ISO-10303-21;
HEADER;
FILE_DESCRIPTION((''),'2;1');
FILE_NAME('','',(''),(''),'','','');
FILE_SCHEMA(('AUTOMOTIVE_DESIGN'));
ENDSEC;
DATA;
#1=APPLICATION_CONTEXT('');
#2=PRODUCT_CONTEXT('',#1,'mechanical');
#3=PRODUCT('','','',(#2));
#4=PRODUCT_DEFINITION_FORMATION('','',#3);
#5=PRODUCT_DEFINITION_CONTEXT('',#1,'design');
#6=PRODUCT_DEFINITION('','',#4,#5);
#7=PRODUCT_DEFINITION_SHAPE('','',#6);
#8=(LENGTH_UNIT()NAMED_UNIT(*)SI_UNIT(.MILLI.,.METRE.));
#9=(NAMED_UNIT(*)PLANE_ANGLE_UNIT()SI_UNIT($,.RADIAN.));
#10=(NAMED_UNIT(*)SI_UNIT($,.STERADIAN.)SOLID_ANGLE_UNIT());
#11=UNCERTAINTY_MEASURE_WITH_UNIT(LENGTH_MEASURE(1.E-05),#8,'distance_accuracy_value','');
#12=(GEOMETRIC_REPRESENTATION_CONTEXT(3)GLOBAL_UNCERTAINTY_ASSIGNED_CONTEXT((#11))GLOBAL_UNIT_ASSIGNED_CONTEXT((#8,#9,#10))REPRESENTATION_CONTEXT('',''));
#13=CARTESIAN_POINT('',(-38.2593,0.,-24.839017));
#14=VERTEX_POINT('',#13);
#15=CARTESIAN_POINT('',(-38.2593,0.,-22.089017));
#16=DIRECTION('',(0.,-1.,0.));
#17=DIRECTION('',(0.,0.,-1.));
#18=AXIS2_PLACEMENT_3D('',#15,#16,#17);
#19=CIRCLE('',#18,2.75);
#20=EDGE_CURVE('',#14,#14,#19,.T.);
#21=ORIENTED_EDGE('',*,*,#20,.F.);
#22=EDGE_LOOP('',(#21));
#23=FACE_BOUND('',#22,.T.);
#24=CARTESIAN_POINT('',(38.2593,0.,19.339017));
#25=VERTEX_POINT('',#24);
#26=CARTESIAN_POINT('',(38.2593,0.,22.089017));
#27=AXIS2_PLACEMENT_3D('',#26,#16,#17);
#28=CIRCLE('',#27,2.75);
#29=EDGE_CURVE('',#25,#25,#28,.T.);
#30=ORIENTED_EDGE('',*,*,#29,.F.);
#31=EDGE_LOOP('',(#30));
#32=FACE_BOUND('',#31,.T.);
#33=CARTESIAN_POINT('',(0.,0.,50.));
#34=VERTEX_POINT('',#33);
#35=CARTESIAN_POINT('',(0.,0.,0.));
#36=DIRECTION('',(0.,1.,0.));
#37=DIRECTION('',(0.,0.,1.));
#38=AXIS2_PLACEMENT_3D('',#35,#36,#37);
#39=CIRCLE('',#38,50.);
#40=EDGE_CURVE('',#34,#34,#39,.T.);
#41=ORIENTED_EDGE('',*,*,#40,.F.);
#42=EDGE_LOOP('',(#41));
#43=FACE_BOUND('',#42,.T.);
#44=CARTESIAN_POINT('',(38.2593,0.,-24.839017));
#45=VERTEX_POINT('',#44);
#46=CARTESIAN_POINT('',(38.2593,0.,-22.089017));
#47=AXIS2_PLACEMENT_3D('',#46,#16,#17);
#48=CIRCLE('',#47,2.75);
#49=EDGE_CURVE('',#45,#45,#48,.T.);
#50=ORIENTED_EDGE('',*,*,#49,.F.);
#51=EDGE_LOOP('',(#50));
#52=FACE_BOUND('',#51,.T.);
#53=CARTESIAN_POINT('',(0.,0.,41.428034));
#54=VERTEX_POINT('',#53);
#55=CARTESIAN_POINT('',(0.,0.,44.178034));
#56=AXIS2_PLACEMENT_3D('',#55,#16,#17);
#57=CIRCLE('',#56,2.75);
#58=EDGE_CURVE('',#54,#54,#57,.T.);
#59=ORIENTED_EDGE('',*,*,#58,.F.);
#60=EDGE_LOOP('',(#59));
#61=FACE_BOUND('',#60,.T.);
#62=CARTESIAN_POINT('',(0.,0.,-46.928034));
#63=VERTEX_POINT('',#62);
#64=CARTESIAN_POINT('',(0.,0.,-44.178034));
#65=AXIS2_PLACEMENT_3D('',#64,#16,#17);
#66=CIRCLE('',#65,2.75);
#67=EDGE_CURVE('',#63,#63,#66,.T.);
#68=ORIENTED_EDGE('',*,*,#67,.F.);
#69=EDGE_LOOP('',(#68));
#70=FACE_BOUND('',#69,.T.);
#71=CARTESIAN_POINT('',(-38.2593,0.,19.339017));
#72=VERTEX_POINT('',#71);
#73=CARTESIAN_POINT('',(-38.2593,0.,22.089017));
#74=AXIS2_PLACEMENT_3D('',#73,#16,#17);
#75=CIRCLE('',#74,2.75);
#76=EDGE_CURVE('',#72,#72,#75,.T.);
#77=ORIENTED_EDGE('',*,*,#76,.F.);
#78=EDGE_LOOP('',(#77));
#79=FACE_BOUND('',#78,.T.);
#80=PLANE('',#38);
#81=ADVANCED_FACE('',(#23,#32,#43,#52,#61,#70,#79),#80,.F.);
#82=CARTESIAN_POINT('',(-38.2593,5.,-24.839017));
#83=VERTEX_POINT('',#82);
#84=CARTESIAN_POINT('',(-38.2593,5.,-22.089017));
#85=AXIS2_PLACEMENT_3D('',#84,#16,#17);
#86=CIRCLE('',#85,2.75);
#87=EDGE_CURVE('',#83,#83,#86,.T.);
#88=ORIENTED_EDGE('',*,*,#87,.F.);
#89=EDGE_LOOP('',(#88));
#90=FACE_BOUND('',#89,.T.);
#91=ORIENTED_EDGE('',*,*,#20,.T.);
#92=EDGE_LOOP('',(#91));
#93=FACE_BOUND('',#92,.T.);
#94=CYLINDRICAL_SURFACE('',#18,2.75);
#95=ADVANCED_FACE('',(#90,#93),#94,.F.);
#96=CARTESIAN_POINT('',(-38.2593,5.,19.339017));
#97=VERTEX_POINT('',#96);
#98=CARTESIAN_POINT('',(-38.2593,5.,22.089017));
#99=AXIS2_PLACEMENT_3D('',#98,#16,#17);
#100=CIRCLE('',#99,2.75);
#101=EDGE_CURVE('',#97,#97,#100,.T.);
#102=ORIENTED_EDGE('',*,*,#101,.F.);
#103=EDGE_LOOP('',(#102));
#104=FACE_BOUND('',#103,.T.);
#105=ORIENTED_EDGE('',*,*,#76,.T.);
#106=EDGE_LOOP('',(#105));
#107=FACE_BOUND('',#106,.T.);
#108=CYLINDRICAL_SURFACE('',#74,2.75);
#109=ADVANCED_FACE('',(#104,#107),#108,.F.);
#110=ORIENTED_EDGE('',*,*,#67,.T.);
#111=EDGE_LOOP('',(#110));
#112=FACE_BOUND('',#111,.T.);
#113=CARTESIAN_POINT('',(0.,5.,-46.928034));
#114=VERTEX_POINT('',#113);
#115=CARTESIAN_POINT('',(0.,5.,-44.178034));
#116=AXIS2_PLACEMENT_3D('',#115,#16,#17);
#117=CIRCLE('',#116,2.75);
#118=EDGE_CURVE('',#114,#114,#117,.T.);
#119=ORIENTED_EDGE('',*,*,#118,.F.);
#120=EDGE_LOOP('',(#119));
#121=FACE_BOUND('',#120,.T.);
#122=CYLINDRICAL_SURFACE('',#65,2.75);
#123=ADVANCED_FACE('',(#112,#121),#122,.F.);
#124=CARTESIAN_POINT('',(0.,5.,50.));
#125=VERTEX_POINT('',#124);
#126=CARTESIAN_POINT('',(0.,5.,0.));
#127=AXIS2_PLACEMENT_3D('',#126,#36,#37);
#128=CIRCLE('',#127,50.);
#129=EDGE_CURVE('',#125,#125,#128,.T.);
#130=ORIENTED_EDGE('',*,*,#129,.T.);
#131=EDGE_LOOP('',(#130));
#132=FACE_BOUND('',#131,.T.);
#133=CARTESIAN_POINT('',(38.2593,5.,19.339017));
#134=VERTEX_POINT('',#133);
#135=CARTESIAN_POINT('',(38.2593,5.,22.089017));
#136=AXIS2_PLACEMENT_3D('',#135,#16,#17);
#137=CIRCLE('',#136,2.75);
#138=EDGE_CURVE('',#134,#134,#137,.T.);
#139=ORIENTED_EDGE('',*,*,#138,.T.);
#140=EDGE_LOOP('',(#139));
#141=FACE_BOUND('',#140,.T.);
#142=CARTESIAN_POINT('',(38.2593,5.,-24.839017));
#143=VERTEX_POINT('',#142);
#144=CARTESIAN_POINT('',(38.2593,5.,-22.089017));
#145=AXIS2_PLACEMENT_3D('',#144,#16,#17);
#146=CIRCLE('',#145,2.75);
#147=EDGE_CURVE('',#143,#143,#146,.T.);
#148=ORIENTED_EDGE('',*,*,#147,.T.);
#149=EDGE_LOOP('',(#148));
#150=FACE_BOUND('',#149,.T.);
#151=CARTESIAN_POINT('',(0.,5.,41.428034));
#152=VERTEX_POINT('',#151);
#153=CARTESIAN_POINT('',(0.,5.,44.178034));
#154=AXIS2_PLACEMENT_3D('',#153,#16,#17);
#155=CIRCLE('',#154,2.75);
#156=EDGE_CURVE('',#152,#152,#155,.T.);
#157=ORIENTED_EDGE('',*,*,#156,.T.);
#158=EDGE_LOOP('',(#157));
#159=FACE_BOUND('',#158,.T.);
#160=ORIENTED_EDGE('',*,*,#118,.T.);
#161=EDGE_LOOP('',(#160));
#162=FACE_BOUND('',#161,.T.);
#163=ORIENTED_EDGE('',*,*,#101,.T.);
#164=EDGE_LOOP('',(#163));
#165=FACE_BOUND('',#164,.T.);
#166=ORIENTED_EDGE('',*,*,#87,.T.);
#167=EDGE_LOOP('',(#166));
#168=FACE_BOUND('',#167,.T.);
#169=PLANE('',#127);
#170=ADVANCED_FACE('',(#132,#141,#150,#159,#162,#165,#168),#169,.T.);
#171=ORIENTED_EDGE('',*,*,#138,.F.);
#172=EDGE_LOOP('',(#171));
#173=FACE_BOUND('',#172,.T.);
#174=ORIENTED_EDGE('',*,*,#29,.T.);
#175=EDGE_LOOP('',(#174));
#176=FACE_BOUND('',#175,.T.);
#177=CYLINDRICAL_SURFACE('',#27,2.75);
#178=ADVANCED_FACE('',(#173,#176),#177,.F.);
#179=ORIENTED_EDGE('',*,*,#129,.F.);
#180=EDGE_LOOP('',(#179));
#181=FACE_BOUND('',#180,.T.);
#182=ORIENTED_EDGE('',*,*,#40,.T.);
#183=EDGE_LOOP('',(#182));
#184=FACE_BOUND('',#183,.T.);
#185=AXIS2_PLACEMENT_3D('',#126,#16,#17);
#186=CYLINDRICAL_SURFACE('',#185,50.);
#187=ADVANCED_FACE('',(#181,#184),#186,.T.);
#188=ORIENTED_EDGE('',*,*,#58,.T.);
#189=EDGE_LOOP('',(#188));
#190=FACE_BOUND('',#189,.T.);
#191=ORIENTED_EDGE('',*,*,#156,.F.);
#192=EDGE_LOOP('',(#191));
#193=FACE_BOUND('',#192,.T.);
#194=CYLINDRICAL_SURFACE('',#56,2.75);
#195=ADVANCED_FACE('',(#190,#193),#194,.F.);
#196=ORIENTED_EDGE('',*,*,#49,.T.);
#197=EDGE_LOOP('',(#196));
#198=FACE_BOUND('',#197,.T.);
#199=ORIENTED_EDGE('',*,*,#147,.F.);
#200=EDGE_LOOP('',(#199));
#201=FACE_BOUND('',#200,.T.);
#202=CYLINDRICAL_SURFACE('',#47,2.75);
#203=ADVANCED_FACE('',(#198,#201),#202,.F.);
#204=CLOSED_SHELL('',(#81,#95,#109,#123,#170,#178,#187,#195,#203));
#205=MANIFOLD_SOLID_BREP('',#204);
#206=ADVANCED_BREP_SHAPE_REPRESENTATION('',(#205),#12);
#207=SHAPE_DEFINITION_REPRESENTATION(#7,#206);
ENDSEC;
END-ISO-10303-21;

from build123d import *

# Parameters (mm, degrees)
CROQUIS1_R                   = 50
SALIENTE_EXTRUIR1_DEPTH      = 5
TALADRO_DE_MARGEN_PARA_M51_D = 5.5
MATRIZC1_COUNT               = 6


with BuildPart() as part:
    # Croquis1 → Saliente-Extruir1 (new body)
    with BuildSketch(Plane(origin=(0, 0, 0), x_dir=(1, 0, 0), z_dir=(0, 1, 0))):
        Circle(CROQUIS1_R)
    extrude(amount=SALIENTE_EXTRUIR1_DEPTH)

    # Taladro de margen para M51 (through all)
    with Locations(Plane(origin=(0, 0, 0), x_dir=(-1, 0, 0), z_dir=(0, -1, 0))):
        with Locations((0, 44.178034415)):
            taladro_de_margen_para_m51 = Hole(TALADRO_DE_MARGEN_PARA_M51_D / 2)

    # MatrizC1: Taladro de margen para M51 ×6 about axis
    matrizc1_axis = Axis((0, 0, 0), (0, 1, 0))
    for i in range(1, MATRIZC1_COUNT):
        add(taladro_de_margen_para_m51.rotate(matrizc1_axis, i * 360 / MATRIZC1_COUNT), mode=Mode.SUBTRACT)


solid = part.part
